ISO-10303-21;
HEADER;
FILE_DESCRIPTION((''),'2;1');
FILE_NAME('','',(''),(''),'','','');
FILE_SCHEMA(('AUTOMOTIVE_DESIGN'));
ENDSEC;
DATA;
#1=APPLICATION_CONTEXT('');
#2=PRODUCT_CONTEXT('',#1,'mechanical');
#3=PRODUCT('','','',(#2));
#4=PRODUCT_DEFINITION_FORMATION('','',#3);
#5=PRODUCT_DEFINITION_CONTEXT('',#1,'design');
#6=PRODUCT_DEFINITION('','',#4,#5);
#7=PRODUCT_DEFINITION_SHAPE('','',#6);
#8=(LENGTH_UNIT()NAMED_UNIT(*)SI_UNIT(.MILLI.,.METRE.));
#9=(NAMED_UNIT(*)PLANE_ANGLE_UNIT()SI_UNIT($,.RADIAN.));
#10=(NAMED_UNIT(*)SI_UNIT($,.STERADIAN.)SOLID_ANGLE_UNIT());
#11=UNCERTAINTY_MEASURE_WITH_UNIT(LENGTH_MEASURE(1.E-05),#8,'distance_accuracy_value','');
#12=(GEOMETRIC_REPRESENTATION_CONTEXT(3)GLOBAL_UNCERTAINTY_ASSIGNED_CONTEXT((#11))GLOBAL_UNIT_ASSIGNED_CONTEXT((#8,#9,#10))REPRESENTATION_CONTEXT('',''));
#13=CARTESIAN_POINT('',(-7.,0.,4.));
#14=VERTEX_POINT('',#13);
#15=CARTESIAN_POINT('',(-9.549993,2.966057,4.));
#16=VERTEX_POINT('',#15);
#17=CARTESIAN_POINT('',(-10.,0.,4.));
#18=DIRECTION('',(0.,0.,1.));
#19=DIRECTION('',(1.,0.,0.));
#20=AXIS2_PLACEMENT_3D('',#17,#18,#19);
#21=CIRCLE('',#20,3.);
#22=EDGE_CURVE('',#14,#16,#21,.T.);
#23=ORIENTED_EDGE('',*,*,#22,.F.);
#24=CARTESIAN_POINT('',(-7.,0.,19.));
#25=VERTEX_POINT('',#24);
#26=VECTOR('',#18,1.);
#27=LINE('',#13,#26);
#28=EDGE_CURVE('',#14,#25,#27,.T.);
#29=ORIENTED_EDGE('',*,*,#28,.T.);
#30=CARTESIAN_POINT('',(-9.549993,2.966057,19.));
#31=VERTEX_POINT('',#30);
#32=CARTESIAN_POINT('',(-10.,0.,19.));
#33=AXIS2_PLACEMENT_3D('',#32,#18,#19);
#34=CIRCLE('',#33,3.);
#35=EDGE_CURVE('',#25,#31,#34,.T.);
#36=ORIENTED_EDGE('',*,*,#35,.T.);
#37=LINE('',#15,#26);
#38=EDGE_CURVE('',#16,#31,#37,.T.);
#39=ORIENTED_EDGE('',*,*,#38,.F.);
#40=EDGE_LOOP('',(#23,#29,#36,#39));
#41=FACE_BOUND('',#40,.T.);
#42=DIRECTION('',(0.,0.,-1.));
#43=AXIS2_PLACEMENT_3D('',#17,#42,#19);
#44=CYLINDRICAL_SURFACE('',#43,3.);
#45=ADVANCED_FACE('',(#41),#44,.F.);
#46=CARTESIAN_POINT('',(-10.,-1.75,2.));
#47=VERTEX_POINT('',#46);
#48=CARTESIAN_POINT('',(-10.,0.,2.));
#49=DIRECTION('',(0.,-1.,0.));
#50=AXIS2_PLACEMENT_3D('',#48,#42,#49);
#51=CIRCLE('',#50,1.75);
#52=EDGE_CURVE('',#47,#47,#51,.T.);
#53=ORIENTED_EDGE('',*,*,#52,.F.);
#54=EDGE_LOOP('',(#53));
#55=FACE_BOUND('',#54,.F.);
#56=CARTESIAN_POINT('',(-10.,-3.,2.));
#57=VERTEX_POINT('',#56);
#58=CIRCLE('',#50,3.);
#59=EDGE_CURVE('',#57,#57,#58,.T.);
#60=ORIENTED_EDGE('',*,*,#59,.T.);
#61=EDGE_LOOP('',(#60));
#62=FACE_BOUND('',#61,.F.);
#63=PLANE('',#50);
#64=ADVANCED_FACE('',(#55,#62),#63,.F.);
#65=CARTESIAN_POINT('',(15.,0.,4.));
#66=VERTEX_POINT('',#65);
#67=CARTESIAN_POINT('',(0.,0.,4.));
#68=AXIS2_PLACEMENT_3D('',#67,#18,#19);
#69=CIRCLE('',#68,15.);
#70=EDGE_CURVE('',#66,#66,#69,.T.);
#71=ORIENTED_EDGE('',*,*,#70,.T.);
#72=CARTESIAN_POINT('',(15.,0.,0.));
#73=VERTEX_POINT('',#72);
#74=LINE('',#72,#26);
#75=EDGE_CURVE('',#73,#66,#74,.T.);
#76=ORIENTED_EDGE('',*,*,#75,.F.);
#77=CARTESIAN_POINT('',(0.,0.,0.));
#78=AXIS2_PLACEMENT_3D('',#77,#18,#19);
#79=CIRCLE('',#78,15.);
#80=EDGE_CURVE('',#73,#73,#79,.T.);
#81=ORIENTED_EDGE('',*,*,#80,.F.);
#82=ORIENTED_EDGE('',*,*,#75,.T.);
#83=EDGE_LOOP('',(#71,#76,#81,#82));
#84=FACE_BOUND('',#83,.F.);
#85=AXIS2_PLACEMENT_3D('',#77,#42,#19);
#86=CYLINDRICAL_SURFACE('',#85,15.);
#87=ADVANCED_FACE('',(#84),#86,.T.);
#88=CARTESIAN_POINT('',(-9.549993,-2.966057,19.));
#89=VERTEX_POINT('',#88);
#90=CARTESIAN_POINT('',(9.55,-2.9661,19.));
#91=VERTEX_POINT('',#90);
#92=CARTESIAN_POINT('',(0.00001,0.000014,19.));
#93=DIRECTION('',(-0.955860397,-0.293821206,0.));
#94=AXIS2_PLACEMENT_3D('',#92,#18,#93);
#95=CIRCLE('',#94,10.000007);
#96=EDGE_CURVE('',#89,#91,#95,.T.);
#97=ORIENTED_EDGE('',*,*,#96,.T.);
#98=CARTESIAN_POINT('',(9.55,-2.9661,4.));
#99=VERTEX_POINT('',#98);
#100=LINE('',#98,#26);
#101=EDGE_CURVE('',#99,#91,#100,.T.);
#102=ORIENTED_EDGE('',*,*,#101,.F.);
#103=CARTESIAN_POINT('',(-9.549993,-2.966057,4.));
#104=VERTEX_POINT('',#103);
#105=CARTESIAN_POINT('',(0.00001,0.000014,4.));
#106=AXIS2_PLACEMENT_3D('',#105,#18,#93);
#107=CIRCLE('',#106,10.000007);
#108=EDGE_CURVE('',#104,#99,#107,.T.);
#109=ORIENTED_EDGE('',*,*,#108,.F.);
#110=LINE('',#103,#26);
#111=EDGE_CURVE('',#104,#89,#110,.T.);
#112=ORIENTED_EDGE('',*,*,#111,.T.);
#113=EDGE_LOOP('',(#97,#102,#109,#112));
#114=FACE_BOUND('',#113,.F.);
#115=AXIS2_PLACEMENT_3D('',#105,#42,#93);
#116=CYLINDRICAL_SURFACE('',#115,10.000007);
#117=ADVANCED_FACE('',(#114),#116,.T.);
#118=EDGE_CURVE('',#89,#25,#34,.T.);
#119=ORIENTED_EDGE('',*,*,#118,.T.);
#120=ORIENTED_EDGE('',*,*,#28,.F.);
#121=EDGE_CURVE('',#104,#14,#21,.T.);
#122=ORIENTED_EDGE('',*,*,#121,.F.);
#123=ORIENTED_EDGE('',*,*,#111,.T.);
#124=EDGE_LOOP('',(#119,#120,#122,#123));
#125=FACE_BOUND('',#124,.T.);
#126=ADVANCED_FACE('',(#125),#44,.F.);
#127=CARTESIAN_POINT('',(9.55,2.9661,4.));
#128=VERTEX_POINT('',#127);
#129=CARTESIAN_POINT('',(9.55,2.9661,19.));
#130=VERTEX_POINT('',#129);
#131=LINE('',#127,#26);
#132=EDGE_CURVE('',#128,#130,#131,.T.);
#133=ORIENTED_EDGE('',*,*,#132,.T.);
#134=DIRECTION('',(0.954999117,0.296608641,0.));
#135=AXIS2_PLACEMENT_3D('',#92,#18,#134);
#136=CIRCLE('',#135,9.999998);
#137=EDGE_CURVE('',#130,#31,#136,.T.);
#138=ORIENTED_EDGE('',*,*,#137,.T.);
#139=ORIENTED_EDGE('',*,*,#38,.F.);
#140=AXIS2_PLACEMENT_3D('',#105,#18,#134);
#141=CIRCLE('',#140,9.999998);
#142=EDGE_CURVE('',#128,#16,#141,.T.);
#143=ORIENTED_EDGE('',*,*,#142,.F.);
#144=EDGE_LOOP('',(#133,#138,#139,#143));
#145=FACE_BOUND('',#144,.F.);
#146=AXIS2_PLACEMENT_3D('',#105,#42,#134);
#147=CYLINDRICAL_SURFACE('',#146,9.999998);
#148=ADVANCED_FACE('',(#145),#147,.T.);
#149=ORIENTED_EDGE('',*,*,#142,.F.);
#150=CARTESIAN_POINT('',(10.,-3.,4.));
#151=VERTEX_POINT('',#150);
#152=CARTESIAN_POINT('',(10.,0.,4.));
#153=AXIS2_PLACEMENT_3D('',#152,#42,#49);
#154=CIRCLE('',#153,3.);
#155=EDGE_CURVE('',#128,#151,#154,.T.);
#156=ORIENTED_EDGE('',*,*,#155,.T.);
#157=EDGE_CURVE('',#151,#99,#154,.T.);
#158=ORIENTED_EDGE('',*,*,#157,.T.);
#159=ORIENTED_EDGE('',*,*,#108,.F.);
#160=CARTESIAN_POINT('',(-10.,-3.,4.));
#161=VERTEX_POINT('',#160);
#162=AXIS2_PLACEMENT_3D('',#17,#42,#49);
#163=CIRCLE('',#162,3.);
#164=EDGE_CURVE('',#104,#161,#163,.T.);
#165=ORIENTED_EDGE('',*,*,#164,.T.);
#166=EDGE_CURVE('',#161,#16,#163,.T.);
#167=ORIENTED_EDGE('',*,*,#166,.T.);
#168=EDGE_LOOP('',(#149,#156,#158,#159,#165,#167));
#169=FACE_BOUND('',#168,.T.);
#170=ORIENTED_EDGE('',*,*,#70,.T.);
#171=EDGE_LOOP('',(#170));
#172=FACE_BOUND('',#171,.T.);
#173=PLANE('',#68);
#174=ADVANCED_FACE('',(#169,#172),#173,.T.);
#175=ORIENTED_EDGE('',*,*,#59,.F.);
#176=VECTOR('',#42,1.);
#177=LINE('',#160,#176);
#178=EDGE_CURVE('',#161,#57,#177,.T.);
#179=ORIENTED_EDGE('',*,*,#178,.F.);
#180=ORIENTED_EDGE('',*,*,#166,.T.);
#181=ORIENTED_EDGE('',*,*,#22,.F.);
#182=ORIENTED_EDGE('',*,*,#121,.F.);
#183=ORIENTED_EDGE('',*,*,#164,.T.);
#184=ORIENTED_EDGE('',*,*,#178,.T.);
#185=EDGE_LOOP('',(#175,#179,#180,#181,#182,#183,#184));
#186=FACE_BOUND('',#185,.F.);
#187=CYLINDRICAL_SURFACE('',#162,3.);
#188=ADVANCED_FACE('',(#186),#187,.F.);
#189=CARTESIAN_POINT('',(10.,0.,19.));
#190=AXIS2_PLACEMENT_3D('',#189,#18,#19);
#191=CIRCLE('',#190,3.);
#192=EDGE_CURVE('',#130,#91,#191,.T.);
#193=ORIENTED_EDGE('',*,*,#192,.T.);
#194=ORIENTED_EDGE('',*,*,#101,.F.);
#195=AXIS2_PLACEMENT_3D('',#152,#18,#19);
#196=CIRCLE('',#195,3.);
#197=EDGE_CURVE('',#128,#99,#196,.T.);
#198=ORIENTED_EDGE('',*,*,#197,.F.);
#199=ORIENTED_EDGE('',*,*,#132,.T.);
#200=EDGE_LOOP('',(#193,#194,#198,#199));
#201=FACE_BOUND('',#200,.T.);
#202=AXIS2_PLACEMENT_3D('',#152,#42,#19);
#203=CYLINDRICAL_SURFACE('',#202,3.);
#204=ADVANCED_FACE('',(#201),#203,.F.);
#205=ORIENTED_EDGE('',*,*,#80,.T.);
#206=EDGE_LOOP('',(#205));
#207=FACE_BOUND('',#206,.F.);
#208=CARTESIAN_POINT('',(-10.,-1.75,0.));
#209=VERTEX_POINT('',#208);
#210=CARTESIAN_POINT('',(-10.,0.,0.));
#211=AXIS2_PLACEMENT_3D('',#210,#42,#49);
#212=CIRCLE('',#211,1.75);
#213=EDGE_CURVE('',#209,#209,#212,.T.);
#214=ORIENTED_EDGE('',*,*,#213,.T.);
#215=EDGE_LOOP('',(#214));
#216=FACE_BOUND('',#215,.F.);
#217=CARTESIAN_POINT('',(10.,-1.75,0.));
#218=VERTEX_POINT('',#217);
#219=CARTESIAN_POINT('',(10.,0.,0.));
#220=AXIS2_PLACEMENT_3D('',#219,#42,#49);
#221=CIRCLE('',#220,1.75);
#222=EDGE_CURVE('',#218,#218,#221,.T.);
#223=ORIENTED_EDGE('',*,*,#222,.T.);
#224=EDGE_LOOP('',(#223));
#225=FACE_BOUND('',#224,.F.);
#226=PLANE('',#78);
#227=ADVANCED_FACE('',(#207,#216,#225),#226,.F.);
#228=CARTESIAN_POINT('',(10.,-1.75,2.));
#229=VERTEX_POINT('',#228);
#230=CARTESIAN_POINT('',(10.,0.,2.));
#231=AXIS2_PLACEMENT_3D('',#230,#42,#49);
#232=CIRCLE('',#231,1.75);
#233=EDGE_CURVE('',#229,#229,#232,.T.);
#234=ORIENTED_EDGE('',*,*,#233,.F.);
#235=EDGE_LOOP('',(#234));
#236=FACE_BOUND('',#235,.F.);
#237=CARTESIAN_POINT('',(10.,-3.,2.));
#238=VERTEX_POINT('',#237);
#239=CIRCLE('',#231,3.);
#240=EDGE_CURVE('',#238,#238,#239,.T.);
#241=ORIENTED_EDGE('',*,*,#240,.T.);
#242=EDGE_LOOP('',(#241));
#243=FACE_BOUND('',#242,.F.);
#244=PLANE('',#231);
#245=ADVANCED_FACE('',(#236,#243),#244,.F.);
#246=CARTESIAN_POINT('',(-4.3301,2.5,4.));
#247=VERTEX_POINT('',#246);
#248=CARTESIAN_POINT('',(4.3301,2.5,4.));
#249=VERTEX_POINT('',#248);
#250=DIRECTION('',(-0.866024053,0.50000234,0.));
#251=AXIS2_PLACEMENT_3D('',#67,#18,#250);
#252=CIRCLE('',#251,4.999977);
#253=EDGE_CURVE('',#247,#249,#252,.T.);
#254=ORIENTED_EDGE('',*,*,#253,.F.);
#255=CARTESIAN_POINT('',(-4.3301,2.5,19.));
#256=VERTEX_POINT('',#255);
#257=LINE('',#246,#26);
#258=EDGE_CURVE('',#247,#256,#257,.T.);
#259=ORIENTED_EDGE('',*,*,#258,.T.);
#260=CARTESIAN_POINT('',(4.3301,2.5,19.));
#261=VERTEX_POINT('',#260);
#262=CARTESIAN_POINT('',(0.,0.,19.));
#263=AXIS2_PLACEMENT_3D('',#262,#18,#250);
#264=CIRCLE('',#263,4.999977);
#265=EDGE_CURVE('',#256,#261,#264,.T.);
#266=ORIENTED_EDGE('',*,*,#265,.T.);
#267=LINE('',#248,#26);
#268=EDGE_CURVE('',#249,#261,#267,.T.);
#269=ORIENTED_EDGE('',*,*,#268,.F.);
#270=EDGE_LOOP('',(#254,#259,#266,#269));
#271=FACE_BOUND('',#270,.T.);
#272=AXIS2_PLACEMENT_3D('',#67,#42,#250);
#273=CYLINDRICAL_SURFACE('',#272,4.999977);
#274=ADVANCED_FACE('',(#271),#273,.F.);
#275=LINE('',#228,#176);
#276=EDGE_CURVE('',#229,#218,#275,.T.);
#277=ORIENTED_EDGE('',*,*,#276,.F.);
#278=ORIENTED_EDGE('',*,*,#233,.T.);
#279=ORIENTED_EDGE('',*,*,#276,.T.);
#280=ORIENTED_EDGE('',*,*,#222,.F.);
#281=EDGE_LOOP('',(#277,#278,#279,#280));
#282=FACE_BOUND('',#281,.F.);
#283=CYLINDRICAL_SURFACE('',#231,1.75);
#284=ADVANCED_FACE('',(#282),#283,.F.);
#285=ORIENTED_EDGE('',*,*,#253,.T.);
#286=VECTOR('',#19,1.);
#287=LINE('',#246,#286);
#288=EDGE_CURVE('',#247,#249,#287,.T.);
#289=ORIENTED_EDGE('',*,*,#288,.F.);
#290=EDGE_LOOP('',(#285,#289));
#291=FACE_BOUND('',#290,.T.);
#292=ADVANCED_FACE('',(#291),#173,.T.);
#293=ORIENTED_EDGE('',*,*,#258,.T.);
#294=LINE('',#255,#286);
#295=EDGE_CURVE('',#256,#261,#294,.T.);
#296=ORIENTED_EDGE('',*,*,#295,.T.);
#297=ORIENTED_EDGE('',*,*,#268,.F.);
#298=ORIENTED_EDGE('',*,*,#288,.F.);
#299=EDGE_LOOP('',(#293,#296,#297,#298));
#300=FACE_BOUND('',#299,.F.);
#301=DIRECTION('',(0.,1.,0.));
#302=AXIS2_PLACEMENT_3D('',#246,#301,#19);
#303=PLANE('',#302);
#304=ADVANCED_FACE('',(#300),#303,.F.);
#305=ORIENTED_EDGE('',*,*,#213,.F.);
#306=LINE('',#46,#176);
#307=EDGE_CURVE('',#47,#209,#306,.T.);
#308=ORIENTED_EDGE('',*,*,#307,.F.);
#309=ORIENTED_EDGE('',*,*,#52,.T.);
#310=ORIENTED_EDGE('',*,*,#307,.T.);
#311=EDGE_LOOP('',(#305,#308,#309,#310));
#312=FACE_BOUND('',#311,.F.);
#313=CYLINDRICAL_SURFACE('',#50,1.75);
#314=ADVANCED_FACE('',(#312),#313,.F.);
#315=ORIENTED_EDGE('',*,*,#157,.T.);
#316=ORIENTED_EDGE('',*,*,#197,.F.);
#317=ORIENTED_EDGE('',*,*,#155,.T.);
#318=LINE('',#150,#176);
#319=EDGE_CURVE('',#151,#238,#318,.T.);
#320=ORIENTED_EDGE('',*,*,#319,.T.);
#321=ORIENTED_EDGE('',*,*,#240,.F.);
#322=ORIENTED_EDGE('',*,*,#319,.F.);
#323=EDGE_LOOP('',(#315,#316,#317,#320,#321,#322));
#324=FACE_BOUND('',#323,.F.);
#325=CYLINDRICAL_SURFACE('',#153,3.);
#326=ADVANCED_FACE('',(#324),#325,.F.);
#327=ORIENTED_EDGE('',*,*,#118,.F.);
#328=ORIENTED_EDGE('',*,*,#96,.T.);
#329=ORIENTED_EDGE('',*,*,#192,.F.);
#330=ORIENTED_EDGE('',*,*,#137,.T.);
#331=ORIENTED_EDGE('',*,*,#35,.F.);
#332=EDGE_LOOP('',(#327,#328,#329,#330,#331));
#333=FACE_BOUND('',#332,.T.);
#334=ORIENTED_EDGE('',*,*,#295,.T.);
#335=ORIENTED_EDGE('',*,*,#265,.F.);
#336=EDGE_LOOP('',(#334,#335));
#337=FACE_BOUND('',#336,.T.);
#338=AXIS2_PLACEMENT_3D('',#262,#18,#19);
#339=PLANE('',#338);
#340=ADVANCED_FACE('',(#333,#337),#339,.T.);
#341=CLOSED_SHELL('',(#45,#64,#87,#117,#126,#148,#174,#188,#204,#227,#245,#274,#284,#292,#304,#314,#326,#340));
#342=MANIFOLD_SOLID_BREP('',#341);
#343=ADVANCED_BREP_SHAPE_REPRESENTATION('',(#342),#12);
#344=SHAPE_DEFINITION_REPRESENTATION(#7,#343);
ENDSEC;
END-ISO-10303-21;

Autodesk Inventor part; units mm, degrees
ref_plane "YZ Plane" through (0, 0, 0) normal (1, 0, 0) x (0, 1, 0)
ref_plane "XZ Plane" through (0, 0, 0) normal (0, 1, 0) x (-1, 0, 0)
ref_plane "XY Plane" through (0, 0, 0) normal (0, 0, 1) x (1, 0, 0)
sketch "Sketch1" plane through (0, 0, 0) normal (0, 0, 1) x (1, 0, 0)
  circle A0 centre (0, 0) radius 15
  dimension "d0" = 30
extrude "Extrusion1" add sketch "Sketch1" along normal blind 4
sketch "Sketch2" plane through (0, 0, 4) normal (0, 0, 1) x (1, 0, 0)
  circle A0 centre (0, 0) radius 10 construction
  line L0 (0, 0) -> (-11.9207, 0) construction
  point P0 (-10, 0)
  point P1 (10, 0)
  dimension "d10" = 20
hole "Hole1" at (-10, 0, 4) at (10, 0, 4) direction (0, 0, -1) diameter 3.5 end through all counterbore diameter 6 counterbore depth 2
sketch "Sketch4" plane through (0, 0, 4) normal (0, 0, 1) x (1, 0, 0)
  arc A0 (-4.3301, 2.5) -> (4.3301, 2.5) centre (0, 0) ccw
  line L0 (-4.3301, 2.5) -> (4.3301, 2.5)
  circle A1 centre (10, 0) radius 3 projected
  arc A2 (9.55, 2.9661) -> (9.55, -2.9661) centre (10, 0) ccw
  circle A3 centre (-10, 0) radius 3 projected
  arc A4 (-9.5586, -2.9382) -> (-9.5586, 2.9382) centre (-10, 0) ccw
  arc A5 (-9.5586, -2.9382) -> (9.55, -2.9661) centre (0, 0) ccw
  arc A6 (9.55, 2.9661) -> (-9.5586, 2.9382) centre (0, 0) ccw
  point P0 (9.55, 2.9661)
  point P1 (-9.55, 2.9661)
  point P2 (-9.55, -2.9661)
  dimension "d12" = 10
  dimension "d13" = 2.5
  dimension "d14" = 10
  dimension "d15" = 10
extrude "Extrusion2" add sketch "Sketch4" along normal blind 15 contours A1 A5 A3 A6
equation "\"d15\" = d14"
properties part number "Motor-mount"
